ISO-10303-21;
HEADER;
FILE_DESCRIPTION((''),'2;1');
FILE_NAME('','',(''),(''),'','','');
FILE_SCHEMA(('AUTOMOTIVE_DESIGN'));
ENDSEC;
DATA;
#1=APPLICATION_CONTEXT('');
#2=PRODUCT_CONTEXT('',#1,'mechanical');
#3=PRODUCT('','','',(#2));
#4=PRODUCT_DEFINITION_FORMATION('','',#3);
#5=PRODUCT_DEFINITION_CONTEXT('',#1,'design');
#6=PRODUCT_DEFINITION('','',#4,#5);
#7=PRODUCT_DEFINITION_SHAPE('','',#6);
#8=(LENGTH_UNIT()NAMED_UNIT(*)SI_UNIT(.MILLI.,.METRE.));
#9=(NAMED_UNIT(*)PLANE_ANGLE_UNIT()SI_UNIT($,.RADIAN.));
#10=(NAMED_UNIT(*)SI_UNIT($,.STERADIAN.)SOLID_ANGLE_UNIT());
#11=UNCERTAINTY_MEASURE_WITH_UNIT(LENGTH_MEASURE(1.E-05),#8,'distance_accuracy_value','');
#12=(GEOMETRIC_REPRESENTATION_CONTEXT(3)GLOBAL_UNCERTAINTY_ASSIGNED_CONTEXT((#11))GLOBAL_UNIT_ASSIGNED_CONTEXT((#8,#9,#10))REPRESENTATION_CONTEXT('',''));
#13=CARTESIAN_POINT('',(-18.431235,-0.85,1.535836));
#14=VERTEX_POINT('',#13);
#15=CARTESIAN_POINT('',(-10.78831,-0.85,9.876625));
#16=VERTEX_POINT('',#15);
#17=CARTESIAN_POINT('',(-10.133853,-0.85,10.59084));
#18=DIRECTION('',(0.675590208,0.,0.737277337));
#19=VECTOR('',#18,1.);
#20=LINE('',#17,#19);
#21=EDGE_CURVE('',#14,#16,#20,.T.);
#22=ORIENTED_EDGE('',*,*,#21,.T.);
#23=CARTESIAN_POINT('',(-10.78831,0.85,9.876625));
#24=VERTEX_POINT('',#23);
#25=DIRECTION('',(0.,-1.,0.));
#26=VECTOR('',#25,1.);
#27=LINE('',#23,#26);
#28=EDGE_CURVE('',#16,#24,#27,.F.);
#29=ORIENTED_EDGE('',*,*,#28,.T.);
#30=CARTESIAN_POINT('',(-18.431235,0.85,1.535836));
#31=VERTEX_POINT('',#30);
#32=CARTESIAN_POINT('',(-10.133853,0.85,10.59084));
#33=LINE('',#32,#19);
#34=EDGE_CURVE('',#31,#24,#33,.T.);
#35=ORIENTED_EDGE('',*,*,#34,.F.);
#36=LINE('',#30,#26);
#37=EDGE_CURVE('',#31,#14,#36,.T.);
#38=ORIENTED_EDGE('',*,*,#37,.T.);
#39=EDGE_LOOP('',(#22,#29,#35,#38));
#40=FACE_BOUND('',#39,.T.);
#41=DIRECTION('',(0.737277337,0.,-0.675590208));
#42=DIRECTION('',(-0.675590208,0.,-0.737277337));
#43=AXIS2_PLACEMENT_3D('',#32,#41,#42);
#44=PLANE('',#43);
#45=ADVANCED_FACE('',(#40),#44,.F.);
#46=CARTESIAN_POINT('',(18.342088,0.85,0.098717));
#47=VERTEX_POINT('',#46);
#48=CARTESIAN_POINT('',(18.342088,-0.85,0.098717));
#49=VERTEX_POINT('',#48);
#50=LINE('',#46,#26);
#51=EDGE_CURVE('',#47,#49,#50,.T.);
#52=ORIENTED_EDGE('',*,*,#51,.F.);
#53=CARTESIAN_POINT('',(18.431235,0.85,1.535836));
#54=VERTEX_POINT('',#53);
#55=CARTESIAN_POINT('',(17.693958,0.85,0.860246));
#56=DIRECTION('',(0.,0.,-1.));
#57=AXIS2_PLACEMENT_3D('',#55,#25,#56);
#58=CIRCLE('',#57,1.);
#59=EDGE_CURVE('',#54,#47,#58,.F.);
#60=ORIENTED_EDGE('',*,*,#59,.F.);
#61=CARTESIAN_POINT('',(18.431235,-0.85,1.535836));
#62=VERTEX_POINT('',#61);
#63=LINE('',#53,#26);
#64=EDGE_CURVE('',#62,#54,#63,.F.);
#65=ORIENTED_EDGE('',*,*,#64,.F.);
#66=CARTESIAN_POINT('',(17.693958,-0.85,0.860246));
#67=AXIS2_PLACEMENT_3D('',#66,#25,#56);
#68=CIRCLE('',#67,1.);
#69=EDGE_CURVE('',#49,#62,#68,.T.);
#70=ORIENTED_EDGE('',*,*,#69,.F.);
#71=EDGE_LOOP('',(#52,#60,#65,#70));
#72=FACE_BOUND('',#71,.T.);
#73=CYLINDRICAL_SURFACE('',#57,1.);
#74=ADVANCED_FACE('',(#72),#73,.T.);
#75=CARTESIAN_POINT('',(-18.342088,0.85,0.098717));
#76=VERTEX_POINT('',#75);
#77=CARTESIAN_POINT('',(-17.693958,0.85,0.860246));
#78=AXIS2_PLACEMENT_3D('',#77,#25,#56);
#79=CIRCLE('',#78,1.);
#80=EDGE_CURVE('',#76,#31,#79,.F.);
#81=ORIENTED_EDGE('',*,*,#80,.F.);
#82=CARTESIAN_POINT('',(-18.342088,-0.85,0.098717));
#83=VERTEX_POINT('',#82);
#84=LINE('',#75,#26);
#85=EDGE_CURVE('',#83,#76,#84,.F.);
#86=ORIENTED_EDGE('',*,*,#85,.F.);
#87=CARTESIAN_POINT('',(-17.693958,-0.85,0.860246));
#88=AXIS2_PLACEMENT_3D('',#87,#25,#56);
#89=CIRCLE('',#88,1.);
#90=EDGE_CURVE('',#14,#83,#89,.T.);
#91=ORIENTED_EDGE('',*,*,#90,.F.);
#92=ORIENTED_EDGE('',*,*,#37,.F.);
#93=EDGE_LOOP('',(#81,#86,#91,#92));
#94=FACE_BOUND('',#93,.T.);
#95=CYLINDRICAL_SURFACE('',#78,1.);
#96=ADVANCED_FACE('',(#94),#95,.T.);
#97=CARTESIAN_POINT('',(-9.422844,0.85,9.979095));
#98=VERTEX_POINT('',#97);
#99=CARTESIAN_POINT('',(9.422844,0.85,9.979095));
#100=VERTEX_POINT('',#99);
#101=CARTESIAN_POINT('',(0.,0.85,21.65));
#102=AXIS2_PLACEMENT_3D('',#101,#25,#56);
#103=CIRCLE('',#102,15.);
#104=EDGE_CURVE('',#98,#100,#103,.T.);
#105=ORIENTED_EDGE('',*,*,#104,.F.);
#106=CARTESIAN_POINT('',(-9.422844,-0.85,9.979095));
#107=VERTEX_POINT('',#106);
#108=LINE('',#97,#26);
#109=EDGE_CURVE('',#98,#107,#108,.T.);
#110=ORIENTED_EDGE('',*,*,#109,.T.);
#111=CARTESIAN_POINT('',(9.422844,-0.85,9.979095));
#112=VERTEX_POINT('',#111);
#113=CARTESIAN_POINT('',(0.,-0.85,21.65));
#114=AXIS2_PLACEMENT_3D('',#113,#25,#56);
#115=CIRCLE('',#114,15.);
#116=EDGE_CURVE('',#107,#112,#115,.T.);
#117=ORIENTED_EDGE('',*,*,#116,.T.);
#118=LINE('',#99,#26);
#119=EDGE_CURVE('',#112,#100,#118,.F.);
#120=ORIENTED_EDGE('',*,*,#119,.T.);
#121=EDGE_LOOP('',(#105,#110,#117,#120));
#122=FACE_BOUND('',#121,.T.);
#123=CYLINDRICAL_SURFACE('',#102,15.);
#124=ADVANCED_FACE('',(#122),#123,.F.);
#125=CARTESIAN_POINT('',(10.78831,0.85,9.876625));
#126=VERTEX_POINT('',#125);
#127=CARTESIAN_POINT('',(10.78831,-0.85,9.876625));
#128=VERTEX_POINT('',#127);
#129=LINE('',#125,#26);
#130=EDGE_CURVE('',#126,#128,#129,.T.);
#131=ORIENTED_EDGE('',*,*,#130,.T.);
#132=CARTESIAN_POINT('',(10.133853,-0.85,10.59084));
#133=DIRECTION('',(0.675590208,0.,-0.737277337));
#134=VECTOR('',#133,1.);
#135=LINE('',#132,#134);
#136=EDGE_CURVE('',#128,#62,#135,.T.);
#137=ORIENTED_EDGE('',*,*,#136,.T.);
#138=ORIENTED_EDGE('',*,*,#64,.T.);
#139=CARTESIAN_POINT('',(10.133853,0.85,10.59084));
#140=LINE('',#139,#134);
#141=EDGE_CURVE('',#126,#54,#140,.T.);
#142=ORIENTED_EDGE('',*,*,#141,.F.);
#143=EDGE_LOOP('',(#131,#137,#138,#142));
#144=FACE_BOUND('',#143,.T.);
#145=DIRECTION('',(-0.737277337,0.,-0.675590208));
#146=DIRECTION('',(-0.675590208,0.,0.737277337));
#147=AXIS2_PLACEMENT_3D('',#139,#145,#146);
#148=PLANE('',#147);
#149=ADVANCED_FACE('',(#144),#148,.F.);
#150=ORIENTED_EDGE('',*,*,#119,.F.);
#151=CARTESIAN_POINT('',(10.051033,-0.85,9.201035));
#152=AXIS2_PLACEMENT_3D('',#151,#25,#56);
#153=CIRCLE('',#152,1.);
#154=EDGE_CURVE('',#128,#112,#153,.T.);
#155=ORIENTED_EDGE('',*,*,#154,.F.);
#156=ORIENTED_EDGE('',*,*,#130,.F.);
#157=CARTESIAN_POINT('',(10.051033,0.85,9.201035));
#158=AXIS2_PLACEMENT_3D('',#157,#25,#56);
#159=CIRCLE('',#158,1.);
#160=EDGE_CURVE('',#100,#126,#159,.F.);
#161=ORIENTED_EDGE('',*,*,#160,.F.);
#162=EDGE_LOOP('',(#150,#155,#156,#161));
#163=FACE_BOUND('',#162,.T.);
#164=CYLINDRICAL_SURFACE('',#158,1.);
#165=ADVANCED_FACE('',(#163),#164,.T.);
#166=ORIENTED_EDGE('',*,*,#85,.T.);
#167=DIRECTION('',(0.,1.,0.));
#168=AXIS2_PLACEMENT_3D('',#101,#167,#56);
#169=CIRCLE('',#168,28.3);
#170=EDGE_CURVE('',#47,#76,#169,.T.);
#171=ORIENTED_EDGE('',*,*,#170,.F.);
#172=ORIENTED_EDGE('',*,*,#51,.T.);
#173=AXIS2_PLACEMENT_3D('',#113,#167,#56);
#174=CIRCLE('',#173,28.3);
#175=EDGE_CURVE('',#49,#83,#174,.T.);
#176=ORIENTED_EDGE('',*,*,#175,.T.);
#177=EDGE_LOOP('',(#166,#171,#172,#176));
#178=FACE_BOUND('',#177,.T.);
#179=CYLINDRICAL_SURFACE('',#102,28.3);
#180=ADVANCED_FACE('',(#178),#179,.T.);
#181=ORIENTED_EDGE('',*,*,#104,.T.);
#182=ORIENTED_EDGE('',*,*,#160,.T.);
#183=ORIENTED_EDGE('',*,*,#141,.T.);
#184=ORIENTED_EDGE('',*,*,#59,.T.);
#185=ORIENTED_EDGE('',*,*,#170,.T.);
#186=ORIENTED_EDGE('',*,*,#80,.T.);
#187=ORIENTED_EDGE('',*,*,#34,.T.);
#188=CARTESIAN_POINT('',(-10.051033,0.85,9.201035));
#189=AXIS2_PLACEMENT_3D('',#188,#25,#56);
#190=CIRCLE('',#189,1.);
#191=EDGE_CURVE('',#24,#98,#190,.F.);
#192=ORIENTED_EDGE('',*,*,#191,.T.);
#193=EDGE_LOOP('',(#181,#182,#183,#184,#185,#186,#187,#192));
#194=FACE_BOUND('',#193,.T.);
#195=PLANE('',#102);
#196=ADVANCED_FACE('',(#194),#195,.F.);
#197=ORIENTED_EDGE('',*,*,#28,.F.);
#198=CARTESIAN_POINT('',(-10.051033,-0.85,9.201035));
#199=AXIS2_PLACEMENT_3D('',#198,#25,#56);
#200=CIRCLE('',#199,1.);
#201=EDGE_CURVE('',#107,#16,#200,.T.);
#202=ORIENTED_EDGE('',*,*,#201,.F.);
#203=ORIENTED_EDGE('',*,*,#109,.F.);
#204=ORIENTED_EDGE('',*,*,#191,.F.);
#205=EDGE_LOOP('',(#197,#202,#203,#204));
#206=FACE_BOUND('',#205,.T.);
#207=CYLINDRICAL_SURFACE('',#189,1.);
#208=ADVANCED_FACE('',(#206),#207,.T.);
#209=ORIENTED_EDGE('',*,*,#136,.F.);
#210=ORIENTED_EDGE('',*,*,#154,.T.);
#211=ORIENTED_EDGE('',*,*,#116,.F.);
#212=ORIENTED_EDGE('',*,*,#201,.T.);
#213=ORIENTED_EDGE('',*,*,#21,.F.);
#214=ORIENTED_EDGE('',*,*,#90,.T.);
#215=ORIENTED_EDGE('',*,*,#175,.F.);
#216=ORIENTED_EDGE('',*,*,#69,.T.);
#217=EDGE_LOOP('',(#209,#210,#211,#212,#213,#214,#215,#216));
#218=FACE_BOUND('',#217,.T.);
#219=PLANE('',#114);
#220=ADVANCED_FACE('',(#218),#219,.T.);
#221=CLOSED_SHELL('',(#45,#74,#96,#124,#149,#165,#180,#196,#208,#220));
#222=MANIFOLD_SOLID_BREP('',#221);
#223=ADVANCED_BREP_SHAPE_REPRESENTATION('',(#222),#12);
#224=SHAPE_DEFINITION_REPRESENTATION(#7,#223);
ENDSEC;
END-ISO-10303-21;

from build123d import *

# Parameters (mm, degrees)
BOSS_EXTRUDE1_DEPTH = 0.85
FILLET1_R           = 1


with BuildPart() as part:
    # Sketch1 → Boss-Extrude1 (new, symmetric)
    with BuildSketch(Plane(origin=(0, 0, 0), x_dir=(1, 0, 0), z_dir=(0, 1, 0))):
        with BuildLine():
            Line((-10.133853114, -10.590839948), (-19.119202876, -0.785051368))
            ThreePointArc((-19.119202876, -0.785051368), (0, 6.65), (19.119202876, -0.785051368))
            Line((19.119202876, -0.785051368), (10.133853114, -10.590839948))
            ThreePointArc((10.133853114, -10.590839948), (0, -6.65), (-10.133853114, -10.590839948))
        make_face()
    extrude(amount=BOSS_EXTRUDE1_DEPTH, both=True)

    # Fillet1
    fillet1_edges = [part.edges().sort_by_distance(p)[0] for p in [
        (-10.133853114, 0, 10.590839948),
        (-19.119202876, 0, 0.785051368),
        (19.119202876, 0, 0.785051368),
        (10.133853114, 0, 10.590839948),
    ]]
    fillet(fillet1_edges, radius=FILLET1_R)


solid = part.part
